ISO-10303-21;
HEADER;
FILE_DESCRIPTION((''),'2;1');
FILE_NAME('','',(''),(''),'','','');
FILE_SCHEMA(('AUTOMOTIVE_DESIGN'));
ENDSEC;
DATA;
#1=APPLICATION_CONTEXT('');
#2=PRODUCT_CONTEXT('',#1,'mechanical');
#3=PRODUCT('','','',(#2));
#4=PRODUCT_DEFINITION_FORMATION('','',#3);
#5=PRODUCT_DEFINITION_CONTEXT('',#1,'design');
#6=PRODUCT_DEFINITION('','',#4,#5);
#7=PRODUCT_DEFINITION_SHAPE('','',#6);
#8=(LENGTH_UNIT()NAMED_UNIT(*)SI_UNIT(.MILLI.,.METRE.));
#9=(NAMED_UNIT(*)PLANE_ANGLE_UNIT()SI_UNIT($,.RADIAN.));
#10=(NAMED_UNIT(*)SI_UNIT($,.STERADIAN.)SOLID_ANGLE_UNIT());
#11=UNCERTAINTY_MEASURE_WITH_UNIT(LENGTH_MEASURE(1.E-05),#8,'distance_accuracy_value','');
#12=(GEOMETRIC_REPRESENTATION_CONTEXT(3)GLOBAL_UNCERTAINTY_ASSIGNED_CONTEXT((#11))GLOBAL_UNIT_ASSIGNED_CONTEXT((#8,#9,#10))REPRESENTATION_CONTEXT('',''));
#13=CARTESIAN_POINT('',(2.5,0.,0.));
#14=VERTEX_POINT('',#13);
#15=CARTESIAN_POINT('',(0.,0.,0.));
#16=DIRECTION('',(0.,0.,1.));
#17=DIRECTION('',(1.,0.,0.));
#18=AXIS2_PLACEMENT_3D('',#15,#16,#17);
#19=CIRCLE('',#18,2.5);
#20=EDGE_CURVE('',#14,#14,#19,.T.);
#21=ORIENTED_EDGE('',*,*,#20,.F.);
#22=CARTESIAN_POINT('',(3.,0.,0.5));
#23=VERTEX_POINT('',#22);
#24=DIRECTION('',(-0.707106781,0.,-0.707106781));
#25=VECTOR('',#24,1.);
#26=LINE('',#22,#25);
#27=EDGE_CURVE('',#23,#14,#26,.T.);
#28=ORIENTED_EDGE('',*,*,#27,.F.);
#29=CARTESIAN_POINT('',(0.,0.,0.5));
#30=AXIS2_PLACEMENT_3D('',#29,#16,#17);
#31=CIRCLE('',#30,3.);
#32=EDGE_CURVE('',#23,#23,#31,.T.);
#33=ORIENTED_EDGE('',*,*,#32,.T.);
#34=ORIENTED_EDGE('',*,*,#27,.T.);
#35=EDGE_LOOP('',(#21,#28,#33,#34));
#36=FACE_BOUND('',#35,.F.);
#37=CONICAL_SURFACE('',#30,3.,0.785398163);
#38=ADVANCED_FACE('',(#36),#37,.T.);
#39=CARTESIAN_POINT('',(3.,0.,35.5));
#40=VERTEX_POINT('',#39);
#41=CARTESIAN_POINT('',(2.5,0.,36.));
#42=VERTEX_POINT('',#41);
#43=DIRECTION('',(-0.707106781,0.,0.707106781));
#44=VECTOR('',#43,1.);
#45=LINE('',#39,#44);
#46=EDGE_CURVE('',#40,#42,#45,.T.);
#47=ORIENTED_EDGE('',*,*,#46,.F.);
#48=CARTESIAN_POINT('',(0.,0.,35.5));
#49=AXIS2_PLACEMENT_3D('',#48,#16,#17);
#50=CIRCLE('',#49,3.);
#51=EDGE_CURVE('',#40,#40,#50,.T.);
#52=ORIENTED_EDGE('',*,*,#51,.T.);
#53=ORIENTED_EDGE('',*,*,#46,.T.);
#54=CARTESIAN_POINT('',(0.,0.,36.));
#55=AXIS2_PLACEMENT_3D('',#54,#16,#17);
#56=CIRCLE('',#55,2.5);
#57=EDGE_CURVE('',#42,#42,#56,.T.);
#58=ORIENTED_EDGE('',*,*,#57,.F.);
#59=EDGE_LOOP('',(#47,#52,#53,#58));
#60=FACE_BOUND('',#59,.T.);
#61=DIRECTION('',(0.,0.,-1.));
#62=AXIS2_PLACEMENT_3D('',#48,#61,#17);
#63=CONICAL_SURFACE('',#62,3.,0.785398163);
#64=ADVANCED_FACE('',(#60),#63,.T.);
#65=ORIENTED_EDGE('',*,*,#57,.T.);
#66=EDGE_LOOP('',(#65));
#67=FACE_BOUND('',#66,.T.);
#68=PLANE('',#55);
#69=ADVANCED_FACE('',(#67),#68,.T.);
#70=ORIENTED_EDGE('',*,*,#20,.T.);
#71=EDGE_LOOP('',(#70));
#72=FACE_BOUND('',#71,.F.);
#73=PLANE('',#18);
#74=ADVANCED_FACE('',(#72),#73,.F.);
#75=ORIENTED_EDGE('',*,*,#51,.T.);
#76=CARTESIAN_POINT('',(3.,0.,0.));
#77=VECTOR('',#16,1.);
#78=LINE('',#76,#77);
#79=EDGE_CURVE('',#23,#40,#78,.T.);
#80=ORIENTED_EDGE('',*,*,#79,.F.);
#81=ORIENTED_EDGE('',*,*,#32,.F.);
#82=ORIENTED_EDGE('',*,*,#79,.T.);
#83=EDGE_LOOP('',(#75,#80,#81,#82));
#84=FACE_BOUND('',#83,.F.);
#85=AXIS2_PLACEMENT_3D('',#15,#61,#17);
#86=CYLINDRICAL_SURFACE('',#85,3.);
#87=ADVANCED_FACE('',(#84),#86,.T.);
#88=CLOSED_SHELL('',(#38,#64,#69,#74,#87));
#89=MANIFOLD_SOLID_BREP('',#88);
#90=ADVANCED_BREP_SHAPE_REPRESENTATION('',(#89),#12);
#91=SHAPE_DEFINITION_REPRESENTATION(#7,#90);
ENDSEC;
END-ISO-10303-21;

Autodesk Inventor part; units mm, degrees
ref_plane "YZ Plane" through (0, 0, 0) normal (1, 0, 0) x (0, 1, 0)
ref_plane "XZ Plane" through (0, 0, 0) normal (0, 1, 0) x (-1, 0, 0)
ref_plane "XY Plane" through (0, 0, 0) normal (0, 0, 1) x (1, 0, 0)
sketch "Skizze1" plane through (0, 0, 0) normal (0, 0, 1) x (1, 0, 0)
  circle A0 centre (0, 0) radius 3
  dimension "d0" = 6
extrude "Extrusion1" add sketch "Skizze1" along normal blind 36
chamfer "Fase1" distance 0.5 angle 45 2 edges at (-3, 0, 36) (-3, 0, 0)
properties part number "Shaft_6mmx36mm" material "Edelstahl"
